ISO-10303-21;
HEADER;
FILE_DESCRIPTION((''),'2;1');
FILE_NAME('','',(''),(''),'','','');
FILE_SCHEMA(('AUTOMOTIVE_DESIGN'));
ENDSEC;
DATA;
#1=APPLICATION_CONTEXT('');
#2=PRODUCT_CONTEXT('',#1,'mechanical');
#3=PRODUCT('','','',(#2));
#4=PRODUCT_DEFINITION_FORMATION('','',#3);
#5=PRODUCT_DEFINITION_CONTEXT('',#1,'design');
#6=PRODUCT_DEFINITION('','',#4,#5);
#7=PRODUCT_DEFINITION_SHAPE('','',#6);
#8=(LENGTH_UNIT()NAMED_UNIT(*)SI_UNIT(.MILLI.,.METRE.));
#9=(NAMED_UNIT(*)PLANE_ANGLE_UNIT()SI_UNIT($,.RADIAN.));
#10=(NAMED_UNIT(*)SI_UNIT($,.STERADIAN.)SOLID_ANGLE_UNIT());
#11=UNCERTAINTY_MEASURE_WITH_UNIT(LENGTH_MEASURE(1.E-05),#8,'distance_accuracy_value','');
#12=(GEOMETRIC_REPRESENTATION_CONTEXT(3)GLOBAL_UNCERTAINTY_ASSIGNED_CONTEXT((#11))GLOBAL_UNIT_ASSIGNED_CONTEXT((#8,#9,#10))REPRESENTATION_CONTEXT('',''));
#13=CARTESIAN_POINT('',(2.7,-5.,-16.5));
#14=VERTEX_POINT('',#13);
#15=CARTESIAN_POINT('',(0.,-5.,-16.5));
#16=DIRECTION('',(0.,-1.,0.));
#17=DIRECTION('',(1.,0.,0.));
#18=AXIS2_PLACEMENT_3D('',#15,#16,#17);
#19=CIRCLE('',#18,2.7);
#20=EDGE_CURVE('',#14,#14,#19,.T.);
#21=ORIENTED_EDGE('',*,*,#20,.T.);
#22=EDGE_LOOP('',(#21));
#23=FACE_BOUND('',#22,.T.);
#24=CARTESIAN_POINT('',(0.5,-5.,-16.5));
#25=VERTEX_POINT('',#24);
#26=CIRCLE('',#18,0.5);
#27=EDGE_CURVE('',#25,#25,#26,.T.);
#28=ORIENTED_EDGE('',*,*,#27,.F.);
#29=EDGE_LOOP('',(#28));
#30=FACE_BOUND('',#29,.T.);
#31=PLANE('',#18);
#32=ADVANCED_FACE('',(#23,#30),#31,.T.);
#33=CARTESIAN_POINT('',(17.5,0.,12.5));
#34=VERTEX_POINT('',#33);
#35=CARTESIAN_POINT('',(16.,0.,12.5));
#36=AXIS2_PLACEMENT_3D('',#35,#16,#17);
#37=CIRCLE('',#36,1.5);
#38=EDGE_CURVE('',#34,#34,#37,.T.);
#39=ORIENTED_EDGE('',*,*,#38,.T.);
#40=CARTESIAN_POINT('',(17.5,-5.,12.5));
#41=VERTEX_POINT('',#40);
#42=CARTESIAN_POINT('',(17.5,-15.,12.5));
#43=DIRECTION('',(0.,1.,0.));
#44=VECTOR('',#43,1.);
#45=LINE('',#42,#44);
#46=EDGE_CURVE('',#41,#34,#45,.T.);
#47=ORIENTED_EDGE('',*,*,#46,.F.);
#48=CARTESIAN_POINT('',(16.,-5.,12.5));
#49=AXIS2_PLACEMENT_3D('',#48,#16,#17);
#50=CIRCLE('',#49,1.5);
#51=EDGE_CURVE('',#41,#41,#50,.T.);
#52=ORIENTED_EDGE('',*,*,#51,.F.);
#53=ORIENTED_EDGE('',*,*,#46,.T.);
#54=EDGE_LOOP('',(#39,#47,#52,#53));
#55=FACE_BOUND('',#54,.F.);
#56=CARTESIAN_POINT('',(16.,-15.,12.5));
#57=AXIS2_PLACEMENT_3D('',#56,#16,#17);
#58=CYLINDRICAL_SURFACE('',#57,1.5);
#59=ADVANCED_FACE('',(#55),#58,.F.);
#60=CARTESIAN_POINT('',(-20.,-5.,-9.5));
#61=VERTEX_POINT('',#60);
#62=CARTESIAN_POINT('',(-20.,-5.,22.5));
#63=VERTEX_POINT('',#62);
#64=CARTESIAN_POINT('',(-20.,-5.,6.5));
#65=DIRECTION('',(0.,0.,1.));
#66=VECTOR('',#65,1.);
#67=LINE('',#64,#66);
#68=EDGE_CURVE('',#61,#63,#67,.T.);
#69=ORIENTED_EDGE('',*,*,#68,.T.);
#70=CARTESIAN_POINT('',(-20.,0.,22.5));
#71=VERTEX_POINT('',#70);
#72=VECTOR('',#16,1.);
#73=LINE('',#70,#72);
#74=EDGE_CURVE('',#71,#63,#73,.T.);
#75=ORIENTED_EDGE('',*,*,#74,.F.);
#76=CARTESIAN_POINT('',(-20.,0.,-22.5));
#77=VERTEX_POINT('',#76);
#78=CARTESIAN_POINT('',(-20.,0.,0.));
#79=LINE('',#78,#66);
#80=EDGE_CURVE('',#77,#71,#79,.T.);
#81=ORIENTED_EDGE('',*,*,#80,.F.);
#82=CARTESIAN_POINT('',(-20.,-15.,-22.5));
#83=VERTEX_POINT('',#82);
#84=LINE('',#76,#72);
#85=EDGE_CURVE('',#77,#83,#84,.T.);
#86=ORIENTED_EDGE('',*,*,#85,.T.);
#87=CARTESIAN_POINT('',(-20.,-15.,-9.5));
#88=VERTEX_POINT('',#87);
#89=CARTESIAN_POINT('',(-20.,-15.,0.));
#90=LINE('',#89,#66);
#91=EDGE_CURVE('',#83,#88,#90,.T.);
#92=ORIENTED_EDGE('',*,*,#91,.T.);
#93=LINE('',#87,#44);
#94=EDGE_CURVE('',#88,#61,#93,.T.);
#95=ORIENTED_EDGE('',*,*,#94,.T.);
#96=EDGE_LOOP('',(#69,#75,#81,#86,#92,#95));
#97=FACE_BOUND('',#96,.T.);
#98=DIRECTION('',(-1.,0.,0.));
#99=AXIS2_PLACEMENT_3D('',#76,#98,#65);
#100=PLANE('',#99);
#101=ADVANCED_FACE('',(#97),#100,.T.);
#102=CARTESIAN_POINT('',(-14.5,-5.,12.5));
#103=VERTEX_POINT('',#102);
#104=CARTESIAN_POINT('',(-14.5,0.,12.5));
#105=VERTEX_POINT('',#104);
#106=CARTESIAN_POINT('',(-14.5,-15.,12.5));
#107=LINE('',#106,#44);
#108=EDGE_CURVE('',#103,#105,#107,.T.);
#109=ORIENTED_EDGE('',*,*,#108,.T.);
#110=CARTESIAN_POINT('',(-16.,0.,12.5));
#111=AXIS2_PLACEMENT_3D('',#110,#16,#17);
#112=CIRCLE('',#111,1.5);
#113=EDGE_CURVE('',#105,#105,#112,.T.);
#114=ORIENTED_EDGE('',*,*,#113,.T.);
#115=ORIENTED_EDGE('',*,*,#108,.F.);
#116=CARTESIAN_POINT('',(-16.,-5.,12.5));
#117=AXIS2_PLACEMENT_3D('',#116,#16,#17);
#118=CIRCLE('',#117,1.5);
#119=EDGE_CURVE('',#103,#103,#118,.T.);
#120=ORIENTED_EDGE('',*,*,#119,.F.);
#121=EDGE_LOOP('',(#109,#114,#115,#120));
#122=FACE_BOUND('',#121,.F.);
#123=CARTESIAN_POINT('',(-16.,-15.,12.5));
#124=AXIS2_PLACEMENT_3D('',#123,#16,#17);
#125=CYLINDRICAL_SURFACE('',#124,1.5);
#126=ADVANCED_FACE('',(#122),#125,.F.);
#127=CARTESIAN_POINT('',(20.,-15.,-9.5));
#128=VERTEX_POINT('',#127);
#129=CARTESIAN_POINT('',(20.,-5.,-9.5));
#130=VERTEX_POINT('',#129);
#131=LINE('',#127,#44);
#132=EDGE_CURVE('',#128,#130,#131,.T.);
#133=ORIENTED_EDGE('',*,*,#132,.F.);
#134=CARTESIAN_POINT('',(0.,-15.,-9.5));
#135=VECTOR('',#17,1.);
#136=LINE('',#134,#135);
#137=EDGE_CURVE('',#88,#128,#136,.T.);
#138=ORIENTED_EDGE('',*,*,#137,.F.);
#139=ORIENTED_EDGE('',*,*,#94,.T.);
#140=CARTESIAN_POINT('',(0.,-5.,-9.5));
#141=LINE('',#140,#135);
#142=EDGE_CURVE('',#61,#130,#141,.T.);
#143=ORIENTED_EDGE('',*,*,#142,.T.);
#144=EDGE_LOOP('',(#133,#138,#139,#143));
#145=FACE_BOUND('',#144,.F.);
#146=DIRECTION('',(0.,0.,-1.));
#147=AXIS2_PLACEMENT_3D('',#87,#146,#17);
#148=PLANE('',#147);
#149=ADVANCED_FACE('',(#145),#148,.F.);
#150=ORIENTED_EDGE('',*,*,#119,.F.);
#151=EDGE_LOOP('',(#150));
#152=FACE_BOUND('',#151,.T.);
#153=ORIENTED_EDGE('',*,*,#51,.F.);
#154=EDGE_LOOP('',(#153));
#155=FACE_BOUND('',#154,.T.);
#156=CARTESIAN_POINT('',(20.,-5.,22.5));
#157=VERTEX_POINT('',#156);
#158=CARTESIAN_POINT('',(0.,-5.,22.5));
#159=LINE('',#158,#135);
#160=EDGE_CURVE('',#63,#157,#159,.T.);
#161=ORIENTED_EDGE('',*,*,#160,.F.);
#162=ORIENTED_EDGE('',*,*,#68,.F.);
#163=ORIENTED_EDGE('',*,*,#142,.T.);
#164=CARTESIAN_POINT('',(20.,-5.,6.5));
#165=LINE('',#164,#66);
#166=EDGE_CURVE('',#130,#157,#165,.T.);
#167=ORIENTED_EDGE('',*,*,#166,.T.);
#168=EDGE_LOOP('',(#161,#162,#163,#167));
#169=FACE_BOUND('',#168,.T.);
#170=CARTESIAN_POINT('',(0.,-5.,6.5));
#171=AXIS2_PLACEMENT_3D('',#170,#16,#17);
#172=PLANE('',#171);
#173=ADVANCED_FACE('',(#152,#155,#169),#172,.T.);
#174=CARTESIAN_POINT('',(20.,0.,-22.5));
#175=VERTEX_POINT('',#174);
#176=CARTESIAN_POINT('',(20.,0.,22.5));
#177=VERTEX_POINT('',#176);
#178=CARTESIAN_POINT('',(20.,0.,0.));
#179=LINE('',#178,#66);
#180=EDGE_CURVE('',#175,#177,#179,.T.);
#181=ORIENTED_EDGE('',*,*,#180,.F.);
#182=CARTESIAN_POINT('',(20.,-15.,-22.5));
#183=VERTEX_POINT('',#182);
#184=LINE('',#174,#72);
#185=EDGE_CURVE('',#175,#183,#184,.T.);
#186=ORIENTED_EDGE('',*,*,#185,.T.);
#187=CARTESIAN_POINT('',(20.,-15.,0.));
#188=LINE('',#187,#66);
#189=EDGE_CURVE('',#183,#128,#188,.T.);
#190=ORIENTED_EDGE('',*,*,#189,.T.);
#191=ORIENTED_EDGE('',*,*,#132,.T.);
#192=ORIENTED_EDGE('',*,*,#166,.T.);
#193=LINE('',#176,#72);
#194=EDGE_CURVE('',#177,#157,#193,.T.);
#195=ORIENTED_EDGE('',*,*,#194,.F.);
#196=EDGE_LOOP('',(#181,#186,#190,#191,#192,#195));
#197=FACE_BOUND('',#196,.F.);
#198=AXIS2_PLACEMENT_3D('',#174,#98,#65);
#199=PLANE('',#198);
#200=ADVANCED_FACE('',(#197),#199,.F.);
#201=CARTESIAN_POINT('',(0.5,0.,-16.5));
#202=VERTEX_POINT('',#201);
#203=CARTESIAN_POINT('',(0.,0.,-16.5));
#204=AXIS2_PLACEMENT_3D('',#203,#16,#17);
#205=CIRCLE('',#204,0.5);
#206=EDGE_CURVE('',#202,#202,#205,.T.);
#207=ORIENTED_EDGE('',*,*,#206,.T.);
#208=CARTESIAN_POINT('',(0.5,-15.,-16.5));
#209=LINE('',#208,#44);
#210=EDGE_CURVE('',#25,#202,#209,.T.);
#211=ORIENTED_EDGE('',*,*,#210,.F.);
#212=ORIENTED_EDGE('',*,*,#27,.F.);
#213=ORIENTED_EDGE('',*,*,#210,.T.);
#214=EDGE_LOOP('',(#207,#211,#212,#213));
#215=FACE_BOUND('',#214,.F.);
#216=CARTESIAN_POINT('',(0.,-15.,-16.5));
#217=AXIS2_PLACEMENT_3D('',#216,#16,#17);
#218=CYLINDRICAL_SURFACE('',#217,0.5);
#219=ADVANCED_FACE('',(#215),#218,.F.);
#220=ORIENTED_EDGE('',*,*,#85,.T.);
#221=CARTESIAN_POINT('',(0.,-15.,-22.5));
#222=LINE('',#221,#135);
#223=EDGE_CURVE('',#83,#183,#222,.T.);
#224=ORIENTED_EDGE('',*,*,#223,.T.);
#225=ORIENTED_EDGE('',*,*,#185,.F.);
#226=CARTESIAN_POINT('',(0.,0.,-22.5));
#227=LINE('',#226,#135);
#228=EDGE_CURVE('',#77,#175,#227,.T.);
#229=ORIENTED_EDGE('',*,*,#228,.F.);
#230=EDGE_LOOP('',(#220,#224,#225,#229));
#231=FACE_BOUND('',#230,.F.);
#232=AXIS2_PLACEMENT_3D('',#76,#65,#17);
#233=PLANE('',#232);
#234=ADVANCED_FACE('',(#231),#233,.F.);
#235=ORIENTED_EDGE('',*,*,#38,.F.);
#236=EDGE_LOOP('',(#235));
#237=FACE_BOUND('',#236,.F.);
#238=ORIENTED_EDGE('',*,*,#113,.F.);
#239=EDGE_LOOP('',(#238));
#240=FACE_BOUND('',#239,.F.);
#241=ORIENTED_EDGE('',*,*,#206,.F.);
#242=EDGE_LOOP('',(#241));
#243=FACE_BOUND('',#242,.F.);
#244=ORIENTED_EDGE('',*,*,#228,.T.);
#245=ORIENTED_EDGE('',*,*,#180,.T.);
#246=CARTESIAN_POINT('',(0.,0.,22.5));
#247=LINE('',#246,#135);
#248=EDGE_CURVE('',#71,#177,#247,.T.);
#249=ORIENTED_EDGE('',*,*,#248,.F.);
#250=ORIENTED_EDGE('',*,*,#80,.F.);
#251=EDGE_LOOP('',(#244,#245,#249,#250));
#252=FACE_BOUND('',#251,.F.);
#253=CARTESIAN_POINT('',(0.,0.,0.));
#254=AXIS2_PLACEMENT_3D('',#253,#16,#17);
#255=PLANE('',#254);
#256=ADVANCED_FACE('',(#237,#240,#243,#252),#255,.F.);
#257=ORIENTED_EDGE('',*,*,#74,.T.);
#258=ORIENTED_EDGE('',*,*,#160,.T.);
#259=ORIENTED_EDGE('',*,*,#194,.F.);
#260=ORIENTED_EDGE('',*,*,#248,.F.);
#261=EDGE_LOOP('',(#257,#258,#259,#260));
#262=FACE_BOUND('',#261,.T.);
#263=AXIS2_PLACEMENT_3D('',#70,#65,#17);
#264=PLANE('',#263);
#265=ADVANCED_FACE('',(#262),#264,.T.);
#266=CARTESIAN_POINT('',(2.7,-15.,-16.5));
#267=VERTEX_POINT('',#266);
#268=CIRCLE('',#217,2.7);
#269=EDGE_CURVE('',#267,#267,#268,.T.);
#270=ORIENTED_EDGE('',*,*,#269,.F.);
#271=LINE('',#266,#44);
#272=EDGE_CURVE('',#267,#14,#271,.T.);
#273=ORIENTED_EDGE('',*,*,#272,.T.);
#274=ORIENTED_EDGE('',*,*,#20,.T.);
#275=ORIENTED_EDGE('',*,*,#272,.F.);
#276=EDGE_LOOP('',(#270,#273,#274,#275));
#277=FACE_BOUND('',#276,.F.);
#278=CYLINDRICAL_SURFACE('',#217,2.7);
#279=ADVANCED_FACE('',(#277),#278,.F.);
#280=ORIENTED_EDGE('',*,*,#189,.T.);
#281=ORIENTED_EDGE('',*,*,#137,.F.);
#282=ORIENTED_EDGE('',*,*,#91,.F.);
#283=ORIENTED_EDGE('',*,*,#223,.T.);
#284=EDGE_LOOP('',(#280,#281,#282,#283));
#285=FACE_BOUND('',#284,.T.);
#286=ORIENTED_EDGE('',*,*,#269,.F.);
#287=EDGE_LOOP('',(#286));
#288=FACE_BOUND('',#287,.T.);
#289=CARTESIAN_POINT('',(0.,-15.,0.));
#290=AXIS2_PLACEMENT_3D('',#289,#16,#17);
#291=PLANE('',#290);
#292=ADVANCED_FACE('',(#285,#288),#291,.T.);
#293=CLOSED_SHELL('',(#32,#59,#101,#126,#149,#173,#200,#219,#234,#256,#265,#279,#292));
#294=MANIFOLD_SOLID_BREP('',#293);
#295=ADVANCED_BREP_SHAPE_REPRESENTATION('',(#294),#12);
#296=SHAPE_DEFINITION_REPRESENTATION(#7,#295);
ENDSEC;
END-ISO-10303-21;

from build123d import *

# Parameters (mm, degrees)
F0_W      = 40
F0_H      = 45
F1_DEPTH  = 15
F2_R      = 1.5
F3_DEPTH  = 25
F7_R      = 2.7
F8_DEPTH  = 10
F9_W      = 40
F9_H      = 32
F10_DEPTH = 10
F11_R     = 0.5
F12_DEPTH = 15


with BuildPart() as f1:
    # F0 (on Front) → F1 (new body)
    with BuildSketch(Plane.XZ):
        Rectangle(F0_W, F0_H)
    extrude(amount=F1_DEPTH)

    # F2 (on face) → F3 (cut)
    with BuildSketch(Plane.XZ.offset(15)):
        with Locations((16, 12.5)):
            Circle(F2_R)
        with Locations((-16, 12.5)):
            Circle(F2_R)
    extrude(amount=-F3_DEPTH, mode=Mode.SUBTRACT)

    # F7 (on face) → F8 (cut)
    with BuildSketch(Plane.XZ.offset(15)):
        with Locations((0, -16.5)):
            Circle(F7_R)
    extrude(amount=-F8_DEPTH, mode=Mode.SUBTRACT)

    # F9 (on face) → F10 (cut)
    with BuildSketch(Plane.XZ.offset(15)):
        with Locations((0, 6.5)):
            Rectangle(F9_W, F9_H)
    extrude(amount=-F10_DEPTH, mode=Mode.SUBTRACT)

    # F11 (on face) → F12 (cut)
    with BuildSketch(Plane.XZ.offset(15)):
        with Locations((0, -16.5)):
            Circle(F11_R)
    extrude(amount=-F12_DEPTH, mode=Mode.SUBTRACT)


solid = f1.part
